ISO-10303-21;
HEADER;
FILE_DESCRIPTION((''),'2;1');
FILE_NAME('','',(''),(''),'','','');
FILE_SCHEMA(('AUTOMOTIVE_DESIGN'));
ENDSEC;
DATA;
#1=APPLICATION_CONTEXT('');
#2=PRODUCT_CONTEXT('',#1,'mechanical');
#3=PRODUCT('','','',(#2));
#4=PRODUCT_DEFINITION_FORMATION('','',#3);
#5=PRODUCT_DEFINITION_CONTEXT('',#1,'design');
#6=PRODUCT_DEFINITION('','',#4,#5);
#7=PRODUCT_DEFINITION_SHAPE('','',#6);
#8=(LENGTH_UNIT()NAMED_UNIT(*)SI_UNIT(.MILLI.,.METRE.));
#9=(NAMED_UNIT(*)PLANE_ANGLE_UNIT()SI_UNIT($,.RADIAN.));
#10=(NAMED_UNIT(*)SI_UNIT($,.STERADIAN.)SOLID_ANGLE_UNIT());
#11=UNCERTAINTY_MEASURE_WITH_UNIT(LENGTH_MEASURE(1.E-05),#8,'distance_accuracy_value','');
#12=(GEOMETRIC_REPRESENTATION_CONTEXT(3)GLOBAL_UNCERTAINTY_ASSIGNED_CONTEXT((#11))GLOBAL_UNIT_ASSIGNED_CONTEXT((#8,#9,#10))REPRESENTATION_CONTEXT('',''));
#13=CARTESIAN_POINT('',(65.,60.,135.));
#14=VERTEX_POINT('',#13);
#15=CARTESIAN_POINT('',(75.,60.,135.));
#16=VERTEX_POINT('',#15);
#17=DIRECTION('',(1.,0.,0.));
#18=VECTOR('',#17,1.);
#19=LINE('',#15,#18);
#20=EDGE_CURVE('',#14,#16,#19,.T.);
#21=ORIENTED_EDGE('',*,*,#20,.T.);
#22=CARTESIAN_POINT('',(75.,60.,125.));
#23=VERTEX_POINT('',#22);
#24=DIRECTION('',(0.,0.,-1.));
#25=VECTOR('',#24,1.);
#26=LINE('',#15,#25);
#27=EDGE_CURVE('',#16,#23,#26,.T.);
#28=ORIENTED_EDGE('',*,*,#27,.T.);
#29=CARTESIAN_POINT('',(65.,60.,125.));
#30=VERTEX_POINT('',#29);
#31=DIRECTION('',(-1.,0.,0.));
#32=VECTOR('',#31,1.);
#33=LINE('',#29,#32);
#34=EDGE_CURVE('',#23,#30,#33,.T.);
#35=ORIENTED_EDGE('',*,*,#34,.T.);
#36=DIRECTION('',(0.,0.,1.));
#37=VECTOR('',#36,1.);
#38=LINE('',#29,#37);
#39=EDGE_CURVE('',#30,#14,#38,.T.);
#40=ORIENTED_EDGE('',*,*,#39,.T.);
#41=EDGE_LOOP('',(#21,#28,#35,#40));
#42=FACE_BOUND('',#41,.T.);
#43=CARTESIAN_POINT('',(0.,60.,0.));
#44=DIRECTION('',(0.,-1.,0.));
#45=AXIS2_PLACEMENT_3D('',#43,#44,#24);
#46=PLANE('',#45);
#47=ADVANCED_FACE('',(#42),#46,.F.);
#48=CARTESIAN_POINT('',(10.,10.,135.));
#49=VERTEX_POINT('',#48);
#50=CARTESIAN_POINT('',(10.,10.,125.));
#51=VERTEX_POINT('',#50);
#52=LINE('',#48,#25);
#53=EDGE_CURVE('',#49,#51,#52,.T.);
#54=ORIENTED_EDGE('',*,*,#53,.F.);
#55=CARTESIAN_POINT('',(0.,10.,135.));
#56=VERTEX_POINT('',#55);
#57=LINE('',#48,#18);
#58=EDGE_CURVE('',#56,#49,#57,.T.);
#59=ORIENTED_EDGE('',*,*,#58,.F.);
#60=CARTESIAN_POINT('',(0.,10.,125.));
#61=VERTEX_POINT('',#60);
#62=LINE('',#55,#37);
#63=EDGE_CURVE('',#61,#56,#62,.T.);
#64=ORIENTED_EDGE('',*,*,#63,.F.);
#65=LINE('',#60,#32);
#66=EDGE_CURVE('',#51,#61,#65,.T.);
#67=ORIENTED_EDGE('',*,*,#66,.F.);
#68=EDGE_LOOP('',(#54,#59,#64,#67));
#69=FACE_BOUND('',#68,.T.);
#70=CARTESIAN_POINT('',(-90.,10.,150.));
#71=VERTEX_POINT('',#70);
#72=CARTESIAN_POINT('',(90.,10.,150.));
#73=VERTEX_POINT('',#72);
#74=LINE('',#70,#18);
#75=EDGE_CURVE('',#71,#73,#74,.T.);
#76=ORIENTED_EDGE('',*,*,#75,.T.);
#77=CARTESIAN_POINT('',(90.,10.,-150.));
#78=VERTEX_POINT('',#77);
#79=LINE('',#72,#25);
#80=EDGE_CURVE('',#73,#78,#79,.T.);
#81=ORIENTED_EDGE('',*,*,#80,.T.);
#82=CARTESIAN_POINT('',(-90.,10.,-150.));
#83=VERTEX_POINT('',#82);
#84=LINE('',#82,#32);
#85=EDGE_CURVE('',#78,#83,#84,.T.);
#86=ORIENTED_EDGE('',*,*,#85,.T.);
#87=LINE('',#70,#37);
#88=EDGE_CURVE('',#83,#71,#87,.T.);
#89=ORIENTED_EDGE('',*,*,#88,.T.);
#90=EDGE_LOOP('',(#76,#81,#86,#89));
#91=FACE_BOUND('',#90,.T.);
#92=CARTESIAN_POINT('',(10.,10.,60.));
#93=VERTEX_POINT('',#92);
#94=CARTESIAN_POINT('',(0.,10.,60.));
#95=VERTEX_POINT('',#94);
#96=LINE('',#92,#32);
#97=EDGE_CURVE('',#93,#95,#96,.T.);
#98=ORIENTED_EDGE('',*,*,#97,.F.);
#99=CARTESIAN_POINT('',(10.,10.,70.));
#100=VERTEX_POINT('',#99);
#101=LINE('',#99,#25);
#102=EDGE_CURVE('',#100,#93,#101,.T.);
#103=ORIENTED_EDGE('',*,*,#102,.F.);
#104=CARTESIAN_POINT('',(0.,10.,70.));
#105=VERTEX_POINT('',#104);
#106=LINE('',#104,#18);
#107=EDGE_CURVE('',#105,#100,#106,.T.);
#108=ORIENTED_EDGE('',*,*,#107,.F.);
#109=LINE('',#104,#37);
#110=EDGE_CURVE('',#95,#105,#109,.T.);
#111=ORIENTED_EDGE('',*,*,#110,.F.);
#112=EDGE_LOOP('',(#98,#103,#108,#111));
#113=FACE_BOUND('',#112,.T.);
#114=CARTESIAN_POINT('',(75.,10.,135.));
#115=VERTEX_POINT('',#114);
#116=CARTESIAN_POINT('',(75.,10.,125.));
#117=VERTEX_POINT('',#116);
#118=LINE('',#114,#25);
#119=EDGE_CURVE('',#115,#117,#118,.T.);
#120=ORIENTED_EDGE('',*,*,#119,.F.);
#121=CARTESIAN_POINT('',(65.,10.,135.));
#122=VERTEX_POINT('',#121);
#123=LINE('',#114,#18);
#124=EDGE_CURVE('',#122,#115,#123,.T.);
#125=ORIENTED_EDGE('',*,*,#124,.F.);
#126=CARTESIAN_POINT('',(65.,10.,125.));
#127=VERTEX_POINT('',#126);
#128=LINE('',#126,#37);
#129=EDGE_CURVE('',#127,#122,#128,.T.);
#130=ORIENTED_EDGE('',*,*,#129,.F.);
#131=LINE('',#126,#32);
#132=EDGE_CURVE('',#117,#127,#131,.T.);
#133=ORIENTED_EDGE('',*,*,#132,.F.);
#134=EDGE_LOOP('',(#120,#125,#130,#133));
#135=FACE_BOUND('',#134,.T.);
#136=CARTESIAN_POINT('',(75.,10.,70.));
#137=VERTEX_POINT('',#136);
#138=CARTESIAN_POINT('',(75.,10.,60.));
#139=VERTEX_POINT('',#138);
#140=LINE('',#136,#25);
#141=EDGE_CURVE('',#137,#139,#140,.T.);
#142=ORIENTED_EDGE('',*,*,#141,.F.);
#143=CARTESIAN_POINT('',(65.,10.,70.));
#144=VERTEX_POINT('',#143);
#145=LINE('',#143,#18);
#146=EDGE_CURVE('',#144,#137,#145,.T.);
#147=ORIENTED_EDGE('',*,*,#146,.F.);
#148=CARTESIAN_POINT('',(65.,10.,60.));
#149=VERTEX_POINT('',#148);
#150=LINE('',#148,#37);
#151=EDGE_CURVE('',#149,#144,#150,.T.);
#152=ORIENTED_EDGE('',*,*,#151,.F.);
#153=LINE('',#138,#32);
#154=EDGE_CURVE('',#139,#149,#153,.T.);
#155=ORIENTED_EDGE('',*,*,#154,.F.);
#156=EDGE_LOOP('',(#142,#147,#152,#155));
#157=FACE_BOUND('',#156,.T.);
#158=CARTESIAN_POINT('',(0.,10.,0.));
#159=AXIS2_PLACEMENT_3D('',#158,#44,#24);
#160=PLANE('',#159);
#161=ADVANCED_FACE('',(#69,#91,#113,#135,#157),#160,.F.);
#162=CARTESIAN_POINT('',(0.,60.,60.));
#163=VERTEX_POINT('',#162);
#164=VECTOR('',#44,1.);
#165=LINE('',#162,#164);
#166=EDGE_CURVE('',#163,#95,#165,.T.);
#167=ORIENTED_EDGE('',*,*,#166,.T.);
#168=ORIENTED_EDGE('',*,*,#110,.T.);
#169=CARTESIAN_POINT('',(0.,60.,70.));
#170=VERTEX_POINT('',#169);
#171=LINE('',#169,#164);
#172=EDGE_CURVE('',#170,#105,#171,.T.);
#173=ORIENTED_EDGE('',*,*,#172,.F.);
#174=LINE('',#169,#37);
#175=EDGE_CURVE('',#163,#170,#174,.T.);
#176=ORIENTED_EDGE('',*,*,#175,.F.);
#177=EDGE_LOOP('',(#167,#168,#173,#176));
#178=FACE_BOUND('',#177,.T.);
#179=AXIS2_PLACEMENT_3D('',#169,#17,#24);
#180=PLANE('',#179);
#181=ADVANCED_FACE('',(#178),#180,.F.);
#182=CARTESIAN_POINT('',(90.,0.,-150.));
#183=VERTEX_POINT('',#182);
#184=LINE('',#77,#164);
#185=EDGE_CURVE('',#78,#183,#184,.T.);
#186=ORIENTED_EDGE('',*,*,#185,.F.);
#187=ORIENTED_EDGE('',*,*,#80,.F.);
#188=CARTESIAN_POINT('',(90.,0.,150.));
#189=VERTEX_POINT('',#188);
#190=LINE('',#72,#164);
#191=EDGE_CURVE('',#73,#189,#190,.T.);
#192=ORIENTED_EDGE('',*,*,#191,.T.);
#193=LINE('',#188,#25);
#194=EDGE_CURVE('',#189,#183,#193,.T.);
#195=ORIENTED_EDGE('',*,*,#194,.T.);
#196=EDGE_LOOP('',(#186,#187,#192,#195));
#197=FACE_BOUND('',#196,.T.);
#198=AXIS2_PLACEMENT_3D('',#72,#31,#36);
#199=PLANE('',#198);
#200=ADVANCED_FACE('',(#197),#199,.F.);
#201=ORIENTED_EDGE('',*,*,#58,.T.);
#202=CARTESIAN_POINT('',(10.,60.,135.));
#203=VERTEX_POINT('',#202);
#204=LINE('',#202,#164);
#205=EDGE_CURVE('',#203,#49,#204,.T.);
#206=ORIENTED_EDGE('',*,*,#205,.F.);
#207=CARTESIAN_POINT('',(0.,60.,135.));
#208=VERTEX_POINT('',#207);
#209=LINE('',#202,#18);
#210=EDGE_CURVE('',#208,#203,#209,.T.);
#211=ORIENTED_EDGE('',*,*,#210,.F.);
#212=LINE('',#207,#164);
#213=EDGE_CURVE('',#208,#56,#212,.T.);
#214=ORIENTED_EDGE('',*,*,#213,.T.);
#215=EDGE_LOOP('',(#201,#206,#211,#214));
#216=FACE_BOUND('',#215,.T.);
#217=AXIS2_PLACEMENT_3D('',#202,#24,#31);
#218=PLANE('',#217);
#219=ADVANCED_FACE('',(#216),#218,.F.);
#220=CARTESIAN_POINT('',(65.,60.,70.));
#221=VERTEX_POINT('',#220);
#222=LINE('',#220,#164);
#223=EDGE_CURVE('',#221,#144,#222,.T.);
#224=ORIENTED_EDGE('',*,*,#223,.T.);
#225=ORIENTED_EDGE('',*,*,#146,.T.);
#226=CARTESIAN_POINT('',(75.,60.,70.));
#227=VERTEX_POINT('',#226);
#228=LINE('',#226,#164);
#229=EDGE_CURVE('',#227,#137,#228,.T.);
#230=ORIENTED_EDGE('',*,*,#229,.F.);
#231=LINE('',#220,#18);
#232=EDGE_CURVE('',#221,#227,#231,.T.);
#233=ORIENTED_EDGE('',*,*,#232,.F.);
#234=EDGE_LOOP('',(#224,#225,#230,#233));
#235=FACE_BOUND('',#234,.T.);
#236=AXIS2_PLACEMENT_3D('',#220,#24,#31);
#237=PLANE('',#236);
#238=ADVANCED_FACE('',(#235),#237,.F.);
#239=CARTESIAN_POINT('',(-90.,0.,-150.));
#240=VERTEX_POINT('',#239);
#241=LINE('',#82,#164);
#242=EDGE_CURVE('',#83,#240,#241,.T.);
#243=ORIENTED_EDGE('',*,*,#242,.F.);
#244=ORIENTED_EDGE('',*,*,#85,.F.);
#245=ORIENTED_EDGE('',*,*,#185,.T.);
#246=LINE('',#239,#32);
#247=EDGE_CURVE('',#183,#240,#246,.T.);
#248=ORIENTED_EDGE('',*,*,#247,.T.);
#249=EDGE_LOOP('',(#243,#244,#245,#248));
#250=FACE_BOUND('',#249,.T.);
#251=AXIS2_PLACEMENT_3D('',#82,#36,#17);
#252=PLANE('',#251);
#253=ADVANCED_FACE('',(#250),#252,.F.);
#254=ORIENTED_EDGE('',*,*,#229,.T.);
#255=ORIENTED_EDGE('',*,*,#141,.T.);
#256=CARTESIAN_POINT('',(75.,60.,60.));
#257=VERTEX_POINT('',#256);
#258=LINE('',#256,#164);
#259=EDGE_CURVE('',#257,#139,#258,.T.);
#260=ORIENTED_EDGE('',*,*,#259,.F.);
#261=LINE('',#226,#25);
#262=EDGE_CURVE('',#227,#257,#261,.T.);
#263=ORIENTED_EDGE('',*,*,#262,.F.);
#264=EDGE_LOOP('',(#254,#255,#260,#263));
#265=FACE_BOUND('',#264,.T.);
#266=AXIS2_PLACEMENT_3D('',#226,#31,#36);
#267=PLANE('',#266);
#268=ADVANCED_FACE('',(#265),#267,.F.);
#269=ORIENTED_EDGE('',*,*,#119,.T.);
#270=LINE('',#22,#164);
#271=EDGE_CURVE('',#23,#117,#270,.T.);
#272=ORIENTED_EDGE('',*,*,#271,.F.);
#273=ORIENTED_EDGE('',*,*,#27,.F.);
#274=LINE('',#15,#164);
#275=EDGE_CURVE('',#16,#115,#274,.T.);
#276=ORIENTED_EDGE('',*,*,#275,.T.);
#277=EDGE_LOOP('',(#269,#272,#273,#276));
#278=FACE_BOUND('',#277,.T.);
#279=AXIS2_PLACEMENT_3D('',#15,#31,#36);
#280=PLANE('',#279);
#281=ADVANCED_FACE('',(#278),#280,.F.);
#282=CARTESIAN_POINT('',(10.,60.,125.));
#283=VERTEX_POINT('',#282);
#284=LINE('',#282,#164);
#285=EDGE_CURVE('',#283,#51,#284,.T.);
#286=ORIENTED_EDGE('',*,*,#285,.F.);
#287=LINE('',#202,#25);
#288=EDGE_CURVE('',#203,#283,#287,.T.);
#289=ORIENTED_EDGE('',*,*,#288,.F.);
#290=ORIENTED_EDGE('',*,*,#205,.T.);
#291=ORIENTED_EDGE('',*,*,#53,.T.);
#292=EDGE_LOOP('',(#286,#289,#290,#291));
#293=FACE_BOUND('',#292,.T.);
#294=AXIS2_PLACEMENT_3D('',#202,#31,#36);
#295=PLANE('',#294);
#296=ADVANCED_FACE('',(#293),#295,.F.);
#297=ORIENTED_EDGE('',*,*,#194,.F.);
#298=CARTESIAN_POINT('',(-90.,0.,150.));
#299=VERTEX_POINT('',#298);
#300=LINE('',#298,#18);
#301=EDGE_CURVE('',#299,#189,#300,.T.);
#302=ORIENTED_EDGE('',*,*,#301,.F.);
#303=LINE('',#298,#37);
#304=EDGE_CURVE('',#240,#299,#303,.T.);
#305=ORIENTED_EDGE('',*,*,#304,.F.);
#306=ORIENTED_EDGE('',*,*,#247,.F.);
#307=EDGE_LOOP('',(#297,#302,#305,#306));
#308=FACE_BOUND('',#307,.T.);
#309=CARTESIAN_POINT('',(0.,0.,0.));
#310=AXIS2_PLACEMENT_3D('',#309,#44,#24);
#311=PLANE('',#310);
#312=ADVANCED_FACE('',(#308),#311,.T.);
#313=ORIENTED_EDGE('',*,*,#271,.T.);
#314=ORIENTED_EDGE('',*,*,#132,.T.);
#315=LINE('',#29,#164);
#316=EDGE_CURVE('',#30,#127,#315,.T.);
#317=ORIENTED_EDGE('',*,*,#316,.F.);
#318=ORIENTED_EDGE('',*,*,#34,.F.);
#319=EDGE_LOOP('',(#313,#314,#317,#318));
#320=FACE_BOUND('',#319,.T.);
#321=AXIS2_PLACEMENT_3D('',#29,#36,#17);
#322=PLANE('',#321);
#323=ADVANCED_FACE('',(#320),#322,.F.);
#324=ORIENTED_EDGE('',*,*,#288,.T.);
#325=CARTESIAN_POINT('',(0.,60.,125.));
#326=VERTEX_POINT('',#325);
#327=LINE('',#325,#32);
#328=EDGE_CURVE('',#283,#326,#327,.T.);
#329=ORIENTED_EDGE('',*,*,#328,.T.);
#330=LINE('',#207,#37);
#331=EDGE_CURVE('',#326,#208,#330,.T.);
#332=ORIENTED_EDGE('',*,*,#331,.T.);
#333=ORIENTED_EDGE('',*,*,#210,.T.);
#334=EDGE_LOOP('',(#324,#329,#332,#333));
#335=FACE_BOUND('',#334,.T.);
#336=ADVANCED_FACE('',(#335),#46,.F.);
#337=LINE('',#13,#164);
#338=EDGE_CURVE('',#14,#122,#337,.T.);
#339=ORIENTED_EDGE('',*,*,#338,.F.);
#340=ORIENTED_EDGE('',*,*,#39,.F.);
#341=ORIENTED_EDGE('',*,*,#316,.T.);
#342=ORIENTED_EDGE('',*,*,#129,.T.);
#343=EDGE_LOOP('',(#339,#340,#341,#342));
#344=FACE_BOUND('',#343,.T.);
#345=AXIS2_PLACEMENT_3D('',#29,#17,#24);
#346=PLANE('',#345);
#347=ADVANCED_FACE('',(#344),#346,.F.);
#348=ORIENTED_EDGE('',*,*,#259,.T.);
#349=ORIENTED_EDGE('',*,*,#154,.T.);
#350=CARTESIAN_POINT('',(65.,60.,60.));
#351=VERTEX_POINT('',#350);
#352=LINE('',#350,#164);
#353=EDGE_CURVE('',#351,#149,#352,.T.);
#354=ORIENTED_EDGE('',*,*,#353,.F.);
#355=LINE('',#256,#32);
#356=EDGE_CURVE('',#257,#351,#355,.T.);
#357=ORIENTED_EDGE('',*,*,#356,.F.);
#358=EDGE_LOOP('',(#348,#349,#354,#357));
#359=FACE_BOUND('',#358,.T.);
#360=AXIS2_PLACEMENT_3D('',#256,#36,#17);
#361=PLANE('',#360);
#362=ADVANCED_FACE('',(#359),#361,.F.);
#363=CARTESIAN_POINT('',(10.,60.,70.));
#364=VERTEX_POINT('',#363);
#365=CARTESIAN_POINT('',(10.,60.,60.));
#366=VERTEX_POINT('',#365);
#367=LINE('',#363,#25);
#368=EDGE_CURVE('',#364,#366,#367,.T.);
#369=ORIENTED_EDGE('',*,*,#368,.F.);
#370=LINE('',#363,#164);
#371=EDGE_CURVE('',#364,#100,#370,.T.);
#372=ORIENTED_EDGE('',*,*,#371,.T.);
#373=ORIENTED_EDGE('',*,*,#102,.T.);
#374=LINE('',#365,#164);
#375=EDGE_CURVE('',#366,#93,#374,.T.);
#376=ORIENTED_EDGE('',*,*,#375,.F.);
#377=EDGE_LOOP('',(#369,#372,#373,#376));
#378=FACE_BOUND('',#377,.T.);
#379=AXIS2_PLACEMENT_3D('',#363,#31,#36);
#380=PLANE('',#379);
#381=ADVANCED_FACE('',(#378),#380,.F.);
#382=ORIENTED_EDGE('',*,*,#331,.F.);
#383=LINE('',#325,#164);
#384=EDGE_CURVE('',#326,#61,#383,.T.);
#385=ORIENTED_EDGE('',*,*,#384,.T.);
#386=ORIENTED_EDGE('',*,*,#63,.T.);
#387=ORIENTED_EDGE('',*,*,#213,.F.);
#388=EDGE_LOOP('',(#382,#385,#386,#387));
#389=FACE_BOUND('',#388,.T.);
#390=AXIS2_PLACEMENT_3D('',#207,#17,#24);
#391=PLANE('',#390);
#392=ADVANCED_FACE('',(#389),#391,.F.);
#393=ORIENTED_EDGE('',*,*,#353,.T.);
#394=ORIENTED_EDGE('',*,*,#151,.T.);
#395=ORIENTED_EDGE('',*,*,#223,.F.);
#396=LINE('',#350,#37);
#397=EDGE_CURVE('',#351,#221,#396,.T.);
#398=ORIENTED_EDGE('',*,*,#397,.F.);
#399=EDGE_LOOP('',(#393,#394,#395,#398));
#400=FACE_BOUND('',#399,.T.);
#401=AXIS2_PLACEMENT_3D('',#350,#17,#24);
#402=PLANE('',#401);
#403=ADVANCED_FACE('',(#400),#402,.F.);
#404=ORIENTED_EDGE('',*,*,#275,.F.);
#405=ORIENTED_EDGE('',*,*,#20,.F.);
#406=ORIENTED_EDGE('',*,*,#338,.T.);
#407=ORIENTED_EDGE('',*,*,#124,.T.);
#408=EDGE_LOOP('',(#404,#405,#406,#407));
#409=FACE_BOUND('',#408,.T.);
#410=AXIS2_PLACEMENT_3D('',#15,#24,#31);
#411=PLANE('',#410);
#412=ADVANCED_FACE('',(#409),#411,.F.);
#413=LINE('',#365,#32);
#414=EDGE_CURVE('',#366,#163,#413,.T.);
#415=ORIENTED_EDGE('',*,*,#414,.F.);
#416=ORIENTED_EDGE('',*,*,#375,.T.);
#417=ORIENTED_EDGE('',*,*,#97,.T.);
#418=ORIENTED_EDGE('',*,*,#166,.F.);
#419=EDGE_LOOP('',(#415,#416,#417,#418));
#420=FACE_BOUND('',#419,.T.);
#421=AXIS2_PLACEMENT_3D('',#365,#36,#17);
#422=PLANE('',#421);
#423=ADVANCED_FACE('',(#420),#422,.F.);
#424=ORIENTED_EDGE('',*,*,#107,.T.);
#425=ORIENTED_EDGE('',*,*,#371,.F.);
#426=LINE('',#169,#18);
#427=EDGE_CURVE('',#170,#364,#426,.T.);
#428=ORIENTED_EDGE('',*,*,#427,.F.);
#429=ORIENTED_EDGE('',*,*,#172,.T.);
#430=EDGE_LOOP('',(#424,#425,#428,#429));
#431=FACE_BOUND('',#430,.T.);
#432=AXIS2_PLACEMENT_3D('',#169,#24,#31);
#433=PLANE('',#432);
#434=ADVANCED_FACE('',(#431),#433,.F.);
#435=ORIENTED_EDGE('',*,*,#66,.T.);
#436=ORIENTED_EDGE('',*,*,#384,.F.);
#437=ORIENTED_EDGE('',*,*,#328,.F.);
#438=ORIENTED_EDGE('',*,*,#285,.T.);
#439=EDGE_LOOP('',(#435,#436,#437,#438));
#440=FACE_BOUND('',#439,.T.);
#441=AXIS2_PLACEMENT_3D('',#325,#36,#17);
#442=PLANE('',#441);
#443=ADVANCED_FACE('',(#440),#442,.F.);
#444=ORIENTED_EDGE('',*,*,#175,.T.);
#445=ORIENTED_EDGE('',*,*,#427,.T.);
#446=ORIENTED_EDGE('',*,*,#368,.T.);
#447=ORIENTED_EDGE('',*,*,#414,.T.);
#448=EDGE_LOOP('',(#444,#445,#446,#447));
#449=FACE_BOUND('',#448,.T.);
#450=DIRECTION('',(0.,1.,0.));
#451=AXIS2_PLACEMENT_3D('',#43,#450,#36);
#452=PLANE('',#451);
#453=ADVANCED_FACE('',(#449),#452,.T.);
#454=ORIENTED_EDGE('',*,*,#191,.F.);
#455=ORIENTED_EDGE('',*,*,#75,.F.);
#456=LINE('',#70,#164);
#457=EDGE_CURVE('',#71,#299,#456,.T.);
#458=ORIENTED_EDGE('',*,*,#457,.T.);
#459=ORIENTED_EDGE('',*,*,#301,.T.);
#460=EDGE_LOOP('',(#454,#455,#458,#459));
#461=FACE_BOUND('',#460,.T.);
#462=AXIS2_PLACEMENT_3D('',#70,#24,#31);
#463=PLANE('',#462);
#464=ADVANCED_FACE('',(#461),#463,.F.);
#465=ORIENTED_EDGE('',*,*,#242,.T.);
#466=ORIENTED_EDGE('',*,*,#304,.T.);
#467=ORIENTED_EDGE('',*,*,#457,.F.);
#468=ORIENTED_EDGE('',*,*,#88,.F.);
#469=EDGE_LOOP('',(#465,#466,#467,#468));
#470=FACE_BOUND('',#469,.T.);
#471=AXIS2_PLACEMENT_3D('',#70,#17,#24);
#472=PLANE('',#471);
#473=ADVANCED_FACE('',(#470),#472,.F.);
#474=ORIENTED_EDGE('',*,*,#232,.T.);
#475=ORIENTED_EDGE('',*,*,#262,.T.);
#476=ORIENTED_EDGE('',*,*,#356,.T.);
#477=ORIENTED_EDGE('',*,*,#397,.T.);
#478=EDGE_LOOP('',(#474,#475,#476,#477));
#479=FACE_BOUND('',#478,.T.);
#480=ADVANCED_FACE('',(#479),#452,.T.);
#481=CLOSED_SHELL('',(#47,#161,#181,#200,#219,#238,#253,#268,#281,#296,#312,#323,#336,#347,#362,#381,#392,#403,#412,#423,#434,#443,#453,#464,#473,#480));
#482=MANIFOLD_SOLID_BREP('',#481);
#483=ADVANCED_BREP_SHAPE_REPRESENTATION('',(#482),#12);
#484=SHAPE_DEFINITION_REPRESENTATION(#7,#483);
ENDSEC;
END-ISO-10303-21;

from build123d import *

# Parameters (mm, degrees)
SKETCH3_W           = 180
SKETCH3_H           = 300
BOSS_EXTRUDE1_DEPTH = 10
SKETCH4_W           = 10
SKETCH4_H           = 10
BOSS_EXTRUDE2_DEPTH = 50


with BuildPart() as part:
    # Sketch3 → Boss-Extrude1 (new body)
    with BuildSketch(Plane(origin=(0, 0, 0), x_dir=(1, 0, 0), z_dir=(0, 1, 0))):
        Rectangle(SKETCH3_W, SKETCH3_H)
    extrude(amount=BOSS_EXTRUDE1_DEPTH)

    # Sketch4 → Boss-Extrude2 (add)
    with BuildSketch(Plane(origin=(0, 10, 0), x_dir=(1, 0, 0), z_dir=(0, 1, 0))):
        with Locations((70, -130)):
            Rectangle(SKETCH4_W, SKETCH4_H)
        with Locations((70, -65)):
            Rectangle(SKETCH4_W, SKETCH4_H)
        with Locations((5, -130)):
            Rectangle(SKETCH4_W, SKETCH4_H)
        with Locations((5, -65)):
            Rectangle(SKETCH4_W, SKETCH4_H)
    extrude(amount=BOSS_EXTRUDE2_DEPTH)


solid = part.part
